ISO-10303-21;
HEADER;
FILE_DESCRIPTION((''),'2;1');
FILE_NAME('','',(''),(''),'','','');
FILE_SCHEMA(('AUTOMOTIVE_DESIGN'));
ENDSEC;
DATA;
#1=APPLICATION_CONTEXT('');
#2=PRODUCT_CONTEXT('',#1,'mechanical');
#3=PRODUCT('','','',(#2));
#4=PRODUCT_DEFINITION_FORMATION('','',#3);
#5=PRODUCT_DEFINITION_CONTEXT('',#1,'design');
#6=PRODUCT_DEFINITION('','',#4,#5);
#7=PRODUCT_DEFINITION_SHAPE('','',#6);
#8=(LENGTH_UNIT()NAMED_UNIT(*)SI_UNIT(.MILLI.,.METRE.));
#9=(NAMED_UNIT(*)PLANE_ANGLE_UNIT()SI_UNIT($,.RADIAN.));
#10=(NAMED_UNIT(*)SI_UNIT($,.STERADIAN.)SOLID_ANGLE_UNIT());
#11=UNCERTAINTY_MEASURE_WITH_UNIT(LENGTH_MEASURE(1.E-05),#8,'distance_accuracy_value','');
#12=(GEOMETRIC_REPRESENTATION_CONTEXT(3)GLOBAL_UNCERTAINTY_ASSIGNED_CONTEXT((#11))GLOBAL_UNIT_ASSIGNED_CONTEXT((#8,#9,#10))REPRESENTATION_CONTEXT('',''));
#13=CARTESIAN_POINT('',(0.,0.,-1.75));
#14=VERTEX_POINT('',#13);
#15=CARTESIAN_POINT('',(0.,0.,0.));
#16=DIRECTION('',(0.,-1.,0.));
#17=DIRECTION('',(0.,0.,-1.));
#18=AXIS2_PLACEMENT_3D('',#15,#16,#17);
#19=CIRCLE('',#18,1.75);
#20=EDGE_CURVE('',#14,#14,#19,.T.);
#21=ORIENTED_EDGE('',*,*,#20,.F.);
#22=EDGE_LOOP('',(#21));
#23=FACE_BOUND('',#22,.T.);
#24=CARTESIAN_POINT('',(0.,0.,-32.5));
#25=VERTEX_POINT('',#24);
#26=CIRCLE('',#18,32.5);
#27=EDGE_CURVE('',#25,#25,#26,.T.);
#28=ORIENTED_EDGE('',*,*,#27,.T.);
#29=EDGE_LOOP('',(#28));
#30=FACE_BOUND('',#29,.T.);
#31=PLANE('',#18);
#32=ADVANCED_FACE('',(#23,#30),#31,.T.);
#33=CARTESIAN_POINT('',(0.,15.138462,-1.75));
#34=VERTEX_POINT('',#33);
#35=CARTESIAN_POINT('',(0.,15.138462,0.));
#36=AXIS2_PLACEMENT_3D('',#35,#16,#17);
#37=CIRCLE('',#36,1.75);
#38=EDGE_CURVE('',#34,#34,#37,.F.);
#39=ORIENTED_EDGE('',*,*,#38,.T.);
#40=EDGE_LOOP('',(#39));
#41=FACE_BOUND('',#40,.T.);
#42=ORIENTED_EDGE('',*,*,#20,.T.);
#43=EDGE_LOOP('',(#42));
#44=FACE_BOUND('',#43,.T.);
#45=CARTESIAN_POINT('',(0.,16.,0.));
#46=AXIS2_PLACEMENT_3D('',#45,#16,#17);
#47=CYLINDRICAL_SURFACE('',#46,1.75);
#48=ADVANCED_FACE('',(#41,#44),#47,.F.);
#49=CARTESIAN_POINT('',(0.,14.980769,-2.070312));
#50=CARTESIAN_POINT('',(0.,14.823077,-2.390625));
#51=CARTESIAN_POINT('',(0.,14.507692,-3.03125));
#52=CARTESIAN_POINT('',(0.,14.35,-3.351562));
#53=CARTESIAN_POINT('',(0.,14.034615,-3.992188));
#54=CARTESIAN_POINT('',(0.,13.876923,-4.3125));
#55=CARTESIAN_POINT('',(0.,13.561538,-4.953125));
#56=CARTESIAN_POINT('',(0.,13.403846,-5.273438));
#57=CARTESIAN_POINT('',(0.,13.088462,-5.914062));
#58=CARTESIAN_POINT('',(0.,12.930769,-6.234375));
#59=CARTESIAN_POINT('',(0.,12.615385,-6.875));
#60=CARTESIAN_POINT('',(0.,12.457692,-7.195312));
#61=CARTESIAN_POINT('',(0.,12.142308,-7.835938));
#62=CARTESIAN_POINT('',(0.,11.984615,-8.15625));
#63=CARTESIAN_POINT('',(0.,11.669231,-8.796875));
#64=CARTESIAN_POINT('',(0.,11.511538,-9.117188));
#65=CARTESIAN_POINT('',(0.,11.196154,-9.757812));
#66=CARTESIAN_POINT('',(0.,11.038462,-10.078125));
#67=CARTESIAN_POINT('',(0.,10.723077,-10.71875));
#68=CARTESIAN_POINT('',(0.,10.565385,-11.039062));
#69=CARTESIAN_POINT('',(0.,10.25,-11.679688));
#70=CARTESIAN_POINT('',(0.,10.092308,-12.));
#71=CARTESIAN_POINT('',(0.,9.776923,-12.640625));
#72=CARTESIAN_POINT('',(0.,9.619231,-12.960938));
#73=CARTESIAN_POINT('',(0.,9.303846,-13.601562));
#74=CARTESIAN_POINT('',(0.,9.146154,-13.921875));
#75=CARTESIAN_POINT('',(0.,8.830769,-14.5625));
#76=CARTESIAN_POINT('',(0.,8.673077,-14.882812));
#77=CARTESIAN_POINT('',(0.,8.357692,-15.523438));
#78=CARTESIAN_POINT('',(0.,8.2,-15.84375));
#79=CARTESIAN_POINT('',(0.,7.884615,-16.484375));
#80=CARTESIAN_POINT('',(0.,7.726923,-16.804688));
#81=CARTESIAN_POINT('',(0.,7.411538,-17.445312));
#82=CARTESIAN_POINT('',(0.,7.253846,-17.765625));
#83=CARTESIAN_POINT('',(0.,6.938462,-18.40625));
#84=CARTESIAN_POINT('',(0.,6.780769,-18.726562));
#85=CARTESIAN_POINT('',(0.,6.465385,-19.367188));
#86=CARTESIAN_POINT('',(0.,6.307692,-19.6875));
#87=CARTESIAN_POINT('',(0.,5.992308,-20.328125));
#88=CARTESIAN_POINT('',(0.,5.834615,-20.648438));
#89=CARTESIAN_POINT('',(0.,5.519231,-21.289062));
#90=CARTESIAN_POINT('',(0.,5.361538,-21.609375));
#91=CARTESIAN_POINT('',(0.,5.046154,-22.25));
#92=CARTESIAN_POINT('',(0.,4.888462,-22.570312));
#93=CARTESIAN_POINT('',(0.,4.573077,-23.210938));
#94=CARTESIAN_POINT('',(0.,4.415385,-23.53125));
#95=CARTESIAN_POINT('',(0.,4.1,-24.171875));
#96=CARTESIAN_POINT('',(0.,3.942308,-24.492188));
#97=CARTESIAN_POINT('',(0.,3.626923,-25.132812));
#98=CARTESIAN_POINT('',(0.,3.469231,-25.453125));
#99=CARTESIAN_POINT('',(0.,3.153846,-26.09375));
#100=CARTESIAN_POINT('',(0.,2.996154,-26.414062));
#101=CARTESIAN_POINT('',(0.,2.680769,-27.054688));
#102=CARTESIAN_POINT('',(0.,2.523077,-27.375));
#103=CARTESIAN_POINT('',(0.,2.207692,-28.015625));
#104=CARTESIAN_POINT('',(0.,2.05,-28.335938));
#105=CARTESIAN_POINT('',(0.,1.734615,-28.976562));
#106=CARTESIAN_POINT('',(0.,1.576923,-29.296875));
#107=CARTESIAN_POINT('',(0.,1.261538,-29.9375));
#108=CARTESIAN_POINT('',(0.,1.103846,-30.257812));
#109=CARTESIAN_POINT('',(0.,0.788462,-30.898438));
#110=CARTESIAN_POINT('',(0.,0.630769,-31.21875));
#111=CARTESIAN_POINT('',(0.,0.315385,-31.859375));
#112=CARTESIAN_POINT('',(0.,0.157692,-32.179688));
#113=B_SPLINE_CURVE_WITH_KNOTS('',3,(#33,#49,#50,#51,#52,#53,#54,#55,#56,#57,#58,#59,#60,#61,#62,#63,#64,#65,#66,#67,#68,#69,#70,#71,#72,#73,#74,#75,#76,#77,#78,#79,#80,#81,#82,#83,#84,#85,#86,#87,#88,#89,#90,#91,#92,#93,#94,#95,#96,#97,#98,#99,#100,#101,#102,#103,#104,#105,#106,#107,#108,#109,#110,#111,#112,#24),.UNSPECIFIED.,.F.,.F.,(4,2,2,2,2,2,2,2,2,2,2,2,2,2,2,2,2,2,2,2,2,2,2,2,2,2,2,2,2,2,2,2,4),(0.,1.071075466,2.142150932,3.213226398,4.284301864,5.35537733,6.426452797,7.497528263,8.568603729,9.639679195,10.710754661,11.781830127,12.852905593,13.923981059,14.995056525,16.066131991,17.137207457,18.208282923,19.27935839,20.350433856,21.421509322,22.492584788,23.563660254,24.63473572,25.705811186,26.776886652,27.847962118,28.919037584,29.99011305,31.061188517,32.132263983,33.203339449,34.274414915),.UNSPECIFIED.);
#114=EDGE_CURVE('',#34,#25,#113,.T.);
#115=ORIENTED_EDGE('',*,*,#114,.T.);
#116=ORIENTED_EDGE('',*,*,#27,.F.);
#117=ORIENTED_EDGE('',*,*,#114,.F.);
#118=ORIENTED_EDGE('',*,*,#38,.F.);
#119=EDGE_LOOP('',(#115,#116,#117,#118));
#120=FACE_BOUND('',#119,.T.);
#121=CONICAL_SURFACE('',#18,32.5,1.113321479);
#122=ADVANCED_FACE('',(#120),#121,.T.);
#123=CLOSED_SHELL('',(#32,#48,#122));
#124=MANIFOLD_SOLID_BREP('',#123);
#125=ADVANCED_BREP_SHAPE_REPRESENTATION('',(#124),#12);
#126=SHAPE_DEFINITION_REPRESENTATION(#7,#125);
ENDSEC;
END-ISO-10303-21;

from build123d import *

# Parameters (mm, degrees)
SKETCH4_R          = 1.75
CUT_EXTRUDE1_DEPTH = 49.66723744


with BuildPart() as part:
    # Sketch3 → Revolve5 (revolve)
    with BuildSketch(Plane(origin=(0, 0, 0), x_dir=(0, 0, -1), z_dir=(1, 0, 0))):
        Polygon((0, 0), (32.5, 0), (0, 16), align=None)
    revolve(axis=Axis((0, 0, 0), (0, 1, 0)))

    # Sketch4 → Cut-Extrude1 (cut, through all)
    with BuildSketch(Plane.XZ):
        with Locations(Location((0, 0, 0), (0, 0, 270))):
            Circle(SKETCH4_R)
    extrude(amount=-CUT_EXTRUDE1_DEPTH, mode=Mode.SUBTRACT)


solid = part.part
